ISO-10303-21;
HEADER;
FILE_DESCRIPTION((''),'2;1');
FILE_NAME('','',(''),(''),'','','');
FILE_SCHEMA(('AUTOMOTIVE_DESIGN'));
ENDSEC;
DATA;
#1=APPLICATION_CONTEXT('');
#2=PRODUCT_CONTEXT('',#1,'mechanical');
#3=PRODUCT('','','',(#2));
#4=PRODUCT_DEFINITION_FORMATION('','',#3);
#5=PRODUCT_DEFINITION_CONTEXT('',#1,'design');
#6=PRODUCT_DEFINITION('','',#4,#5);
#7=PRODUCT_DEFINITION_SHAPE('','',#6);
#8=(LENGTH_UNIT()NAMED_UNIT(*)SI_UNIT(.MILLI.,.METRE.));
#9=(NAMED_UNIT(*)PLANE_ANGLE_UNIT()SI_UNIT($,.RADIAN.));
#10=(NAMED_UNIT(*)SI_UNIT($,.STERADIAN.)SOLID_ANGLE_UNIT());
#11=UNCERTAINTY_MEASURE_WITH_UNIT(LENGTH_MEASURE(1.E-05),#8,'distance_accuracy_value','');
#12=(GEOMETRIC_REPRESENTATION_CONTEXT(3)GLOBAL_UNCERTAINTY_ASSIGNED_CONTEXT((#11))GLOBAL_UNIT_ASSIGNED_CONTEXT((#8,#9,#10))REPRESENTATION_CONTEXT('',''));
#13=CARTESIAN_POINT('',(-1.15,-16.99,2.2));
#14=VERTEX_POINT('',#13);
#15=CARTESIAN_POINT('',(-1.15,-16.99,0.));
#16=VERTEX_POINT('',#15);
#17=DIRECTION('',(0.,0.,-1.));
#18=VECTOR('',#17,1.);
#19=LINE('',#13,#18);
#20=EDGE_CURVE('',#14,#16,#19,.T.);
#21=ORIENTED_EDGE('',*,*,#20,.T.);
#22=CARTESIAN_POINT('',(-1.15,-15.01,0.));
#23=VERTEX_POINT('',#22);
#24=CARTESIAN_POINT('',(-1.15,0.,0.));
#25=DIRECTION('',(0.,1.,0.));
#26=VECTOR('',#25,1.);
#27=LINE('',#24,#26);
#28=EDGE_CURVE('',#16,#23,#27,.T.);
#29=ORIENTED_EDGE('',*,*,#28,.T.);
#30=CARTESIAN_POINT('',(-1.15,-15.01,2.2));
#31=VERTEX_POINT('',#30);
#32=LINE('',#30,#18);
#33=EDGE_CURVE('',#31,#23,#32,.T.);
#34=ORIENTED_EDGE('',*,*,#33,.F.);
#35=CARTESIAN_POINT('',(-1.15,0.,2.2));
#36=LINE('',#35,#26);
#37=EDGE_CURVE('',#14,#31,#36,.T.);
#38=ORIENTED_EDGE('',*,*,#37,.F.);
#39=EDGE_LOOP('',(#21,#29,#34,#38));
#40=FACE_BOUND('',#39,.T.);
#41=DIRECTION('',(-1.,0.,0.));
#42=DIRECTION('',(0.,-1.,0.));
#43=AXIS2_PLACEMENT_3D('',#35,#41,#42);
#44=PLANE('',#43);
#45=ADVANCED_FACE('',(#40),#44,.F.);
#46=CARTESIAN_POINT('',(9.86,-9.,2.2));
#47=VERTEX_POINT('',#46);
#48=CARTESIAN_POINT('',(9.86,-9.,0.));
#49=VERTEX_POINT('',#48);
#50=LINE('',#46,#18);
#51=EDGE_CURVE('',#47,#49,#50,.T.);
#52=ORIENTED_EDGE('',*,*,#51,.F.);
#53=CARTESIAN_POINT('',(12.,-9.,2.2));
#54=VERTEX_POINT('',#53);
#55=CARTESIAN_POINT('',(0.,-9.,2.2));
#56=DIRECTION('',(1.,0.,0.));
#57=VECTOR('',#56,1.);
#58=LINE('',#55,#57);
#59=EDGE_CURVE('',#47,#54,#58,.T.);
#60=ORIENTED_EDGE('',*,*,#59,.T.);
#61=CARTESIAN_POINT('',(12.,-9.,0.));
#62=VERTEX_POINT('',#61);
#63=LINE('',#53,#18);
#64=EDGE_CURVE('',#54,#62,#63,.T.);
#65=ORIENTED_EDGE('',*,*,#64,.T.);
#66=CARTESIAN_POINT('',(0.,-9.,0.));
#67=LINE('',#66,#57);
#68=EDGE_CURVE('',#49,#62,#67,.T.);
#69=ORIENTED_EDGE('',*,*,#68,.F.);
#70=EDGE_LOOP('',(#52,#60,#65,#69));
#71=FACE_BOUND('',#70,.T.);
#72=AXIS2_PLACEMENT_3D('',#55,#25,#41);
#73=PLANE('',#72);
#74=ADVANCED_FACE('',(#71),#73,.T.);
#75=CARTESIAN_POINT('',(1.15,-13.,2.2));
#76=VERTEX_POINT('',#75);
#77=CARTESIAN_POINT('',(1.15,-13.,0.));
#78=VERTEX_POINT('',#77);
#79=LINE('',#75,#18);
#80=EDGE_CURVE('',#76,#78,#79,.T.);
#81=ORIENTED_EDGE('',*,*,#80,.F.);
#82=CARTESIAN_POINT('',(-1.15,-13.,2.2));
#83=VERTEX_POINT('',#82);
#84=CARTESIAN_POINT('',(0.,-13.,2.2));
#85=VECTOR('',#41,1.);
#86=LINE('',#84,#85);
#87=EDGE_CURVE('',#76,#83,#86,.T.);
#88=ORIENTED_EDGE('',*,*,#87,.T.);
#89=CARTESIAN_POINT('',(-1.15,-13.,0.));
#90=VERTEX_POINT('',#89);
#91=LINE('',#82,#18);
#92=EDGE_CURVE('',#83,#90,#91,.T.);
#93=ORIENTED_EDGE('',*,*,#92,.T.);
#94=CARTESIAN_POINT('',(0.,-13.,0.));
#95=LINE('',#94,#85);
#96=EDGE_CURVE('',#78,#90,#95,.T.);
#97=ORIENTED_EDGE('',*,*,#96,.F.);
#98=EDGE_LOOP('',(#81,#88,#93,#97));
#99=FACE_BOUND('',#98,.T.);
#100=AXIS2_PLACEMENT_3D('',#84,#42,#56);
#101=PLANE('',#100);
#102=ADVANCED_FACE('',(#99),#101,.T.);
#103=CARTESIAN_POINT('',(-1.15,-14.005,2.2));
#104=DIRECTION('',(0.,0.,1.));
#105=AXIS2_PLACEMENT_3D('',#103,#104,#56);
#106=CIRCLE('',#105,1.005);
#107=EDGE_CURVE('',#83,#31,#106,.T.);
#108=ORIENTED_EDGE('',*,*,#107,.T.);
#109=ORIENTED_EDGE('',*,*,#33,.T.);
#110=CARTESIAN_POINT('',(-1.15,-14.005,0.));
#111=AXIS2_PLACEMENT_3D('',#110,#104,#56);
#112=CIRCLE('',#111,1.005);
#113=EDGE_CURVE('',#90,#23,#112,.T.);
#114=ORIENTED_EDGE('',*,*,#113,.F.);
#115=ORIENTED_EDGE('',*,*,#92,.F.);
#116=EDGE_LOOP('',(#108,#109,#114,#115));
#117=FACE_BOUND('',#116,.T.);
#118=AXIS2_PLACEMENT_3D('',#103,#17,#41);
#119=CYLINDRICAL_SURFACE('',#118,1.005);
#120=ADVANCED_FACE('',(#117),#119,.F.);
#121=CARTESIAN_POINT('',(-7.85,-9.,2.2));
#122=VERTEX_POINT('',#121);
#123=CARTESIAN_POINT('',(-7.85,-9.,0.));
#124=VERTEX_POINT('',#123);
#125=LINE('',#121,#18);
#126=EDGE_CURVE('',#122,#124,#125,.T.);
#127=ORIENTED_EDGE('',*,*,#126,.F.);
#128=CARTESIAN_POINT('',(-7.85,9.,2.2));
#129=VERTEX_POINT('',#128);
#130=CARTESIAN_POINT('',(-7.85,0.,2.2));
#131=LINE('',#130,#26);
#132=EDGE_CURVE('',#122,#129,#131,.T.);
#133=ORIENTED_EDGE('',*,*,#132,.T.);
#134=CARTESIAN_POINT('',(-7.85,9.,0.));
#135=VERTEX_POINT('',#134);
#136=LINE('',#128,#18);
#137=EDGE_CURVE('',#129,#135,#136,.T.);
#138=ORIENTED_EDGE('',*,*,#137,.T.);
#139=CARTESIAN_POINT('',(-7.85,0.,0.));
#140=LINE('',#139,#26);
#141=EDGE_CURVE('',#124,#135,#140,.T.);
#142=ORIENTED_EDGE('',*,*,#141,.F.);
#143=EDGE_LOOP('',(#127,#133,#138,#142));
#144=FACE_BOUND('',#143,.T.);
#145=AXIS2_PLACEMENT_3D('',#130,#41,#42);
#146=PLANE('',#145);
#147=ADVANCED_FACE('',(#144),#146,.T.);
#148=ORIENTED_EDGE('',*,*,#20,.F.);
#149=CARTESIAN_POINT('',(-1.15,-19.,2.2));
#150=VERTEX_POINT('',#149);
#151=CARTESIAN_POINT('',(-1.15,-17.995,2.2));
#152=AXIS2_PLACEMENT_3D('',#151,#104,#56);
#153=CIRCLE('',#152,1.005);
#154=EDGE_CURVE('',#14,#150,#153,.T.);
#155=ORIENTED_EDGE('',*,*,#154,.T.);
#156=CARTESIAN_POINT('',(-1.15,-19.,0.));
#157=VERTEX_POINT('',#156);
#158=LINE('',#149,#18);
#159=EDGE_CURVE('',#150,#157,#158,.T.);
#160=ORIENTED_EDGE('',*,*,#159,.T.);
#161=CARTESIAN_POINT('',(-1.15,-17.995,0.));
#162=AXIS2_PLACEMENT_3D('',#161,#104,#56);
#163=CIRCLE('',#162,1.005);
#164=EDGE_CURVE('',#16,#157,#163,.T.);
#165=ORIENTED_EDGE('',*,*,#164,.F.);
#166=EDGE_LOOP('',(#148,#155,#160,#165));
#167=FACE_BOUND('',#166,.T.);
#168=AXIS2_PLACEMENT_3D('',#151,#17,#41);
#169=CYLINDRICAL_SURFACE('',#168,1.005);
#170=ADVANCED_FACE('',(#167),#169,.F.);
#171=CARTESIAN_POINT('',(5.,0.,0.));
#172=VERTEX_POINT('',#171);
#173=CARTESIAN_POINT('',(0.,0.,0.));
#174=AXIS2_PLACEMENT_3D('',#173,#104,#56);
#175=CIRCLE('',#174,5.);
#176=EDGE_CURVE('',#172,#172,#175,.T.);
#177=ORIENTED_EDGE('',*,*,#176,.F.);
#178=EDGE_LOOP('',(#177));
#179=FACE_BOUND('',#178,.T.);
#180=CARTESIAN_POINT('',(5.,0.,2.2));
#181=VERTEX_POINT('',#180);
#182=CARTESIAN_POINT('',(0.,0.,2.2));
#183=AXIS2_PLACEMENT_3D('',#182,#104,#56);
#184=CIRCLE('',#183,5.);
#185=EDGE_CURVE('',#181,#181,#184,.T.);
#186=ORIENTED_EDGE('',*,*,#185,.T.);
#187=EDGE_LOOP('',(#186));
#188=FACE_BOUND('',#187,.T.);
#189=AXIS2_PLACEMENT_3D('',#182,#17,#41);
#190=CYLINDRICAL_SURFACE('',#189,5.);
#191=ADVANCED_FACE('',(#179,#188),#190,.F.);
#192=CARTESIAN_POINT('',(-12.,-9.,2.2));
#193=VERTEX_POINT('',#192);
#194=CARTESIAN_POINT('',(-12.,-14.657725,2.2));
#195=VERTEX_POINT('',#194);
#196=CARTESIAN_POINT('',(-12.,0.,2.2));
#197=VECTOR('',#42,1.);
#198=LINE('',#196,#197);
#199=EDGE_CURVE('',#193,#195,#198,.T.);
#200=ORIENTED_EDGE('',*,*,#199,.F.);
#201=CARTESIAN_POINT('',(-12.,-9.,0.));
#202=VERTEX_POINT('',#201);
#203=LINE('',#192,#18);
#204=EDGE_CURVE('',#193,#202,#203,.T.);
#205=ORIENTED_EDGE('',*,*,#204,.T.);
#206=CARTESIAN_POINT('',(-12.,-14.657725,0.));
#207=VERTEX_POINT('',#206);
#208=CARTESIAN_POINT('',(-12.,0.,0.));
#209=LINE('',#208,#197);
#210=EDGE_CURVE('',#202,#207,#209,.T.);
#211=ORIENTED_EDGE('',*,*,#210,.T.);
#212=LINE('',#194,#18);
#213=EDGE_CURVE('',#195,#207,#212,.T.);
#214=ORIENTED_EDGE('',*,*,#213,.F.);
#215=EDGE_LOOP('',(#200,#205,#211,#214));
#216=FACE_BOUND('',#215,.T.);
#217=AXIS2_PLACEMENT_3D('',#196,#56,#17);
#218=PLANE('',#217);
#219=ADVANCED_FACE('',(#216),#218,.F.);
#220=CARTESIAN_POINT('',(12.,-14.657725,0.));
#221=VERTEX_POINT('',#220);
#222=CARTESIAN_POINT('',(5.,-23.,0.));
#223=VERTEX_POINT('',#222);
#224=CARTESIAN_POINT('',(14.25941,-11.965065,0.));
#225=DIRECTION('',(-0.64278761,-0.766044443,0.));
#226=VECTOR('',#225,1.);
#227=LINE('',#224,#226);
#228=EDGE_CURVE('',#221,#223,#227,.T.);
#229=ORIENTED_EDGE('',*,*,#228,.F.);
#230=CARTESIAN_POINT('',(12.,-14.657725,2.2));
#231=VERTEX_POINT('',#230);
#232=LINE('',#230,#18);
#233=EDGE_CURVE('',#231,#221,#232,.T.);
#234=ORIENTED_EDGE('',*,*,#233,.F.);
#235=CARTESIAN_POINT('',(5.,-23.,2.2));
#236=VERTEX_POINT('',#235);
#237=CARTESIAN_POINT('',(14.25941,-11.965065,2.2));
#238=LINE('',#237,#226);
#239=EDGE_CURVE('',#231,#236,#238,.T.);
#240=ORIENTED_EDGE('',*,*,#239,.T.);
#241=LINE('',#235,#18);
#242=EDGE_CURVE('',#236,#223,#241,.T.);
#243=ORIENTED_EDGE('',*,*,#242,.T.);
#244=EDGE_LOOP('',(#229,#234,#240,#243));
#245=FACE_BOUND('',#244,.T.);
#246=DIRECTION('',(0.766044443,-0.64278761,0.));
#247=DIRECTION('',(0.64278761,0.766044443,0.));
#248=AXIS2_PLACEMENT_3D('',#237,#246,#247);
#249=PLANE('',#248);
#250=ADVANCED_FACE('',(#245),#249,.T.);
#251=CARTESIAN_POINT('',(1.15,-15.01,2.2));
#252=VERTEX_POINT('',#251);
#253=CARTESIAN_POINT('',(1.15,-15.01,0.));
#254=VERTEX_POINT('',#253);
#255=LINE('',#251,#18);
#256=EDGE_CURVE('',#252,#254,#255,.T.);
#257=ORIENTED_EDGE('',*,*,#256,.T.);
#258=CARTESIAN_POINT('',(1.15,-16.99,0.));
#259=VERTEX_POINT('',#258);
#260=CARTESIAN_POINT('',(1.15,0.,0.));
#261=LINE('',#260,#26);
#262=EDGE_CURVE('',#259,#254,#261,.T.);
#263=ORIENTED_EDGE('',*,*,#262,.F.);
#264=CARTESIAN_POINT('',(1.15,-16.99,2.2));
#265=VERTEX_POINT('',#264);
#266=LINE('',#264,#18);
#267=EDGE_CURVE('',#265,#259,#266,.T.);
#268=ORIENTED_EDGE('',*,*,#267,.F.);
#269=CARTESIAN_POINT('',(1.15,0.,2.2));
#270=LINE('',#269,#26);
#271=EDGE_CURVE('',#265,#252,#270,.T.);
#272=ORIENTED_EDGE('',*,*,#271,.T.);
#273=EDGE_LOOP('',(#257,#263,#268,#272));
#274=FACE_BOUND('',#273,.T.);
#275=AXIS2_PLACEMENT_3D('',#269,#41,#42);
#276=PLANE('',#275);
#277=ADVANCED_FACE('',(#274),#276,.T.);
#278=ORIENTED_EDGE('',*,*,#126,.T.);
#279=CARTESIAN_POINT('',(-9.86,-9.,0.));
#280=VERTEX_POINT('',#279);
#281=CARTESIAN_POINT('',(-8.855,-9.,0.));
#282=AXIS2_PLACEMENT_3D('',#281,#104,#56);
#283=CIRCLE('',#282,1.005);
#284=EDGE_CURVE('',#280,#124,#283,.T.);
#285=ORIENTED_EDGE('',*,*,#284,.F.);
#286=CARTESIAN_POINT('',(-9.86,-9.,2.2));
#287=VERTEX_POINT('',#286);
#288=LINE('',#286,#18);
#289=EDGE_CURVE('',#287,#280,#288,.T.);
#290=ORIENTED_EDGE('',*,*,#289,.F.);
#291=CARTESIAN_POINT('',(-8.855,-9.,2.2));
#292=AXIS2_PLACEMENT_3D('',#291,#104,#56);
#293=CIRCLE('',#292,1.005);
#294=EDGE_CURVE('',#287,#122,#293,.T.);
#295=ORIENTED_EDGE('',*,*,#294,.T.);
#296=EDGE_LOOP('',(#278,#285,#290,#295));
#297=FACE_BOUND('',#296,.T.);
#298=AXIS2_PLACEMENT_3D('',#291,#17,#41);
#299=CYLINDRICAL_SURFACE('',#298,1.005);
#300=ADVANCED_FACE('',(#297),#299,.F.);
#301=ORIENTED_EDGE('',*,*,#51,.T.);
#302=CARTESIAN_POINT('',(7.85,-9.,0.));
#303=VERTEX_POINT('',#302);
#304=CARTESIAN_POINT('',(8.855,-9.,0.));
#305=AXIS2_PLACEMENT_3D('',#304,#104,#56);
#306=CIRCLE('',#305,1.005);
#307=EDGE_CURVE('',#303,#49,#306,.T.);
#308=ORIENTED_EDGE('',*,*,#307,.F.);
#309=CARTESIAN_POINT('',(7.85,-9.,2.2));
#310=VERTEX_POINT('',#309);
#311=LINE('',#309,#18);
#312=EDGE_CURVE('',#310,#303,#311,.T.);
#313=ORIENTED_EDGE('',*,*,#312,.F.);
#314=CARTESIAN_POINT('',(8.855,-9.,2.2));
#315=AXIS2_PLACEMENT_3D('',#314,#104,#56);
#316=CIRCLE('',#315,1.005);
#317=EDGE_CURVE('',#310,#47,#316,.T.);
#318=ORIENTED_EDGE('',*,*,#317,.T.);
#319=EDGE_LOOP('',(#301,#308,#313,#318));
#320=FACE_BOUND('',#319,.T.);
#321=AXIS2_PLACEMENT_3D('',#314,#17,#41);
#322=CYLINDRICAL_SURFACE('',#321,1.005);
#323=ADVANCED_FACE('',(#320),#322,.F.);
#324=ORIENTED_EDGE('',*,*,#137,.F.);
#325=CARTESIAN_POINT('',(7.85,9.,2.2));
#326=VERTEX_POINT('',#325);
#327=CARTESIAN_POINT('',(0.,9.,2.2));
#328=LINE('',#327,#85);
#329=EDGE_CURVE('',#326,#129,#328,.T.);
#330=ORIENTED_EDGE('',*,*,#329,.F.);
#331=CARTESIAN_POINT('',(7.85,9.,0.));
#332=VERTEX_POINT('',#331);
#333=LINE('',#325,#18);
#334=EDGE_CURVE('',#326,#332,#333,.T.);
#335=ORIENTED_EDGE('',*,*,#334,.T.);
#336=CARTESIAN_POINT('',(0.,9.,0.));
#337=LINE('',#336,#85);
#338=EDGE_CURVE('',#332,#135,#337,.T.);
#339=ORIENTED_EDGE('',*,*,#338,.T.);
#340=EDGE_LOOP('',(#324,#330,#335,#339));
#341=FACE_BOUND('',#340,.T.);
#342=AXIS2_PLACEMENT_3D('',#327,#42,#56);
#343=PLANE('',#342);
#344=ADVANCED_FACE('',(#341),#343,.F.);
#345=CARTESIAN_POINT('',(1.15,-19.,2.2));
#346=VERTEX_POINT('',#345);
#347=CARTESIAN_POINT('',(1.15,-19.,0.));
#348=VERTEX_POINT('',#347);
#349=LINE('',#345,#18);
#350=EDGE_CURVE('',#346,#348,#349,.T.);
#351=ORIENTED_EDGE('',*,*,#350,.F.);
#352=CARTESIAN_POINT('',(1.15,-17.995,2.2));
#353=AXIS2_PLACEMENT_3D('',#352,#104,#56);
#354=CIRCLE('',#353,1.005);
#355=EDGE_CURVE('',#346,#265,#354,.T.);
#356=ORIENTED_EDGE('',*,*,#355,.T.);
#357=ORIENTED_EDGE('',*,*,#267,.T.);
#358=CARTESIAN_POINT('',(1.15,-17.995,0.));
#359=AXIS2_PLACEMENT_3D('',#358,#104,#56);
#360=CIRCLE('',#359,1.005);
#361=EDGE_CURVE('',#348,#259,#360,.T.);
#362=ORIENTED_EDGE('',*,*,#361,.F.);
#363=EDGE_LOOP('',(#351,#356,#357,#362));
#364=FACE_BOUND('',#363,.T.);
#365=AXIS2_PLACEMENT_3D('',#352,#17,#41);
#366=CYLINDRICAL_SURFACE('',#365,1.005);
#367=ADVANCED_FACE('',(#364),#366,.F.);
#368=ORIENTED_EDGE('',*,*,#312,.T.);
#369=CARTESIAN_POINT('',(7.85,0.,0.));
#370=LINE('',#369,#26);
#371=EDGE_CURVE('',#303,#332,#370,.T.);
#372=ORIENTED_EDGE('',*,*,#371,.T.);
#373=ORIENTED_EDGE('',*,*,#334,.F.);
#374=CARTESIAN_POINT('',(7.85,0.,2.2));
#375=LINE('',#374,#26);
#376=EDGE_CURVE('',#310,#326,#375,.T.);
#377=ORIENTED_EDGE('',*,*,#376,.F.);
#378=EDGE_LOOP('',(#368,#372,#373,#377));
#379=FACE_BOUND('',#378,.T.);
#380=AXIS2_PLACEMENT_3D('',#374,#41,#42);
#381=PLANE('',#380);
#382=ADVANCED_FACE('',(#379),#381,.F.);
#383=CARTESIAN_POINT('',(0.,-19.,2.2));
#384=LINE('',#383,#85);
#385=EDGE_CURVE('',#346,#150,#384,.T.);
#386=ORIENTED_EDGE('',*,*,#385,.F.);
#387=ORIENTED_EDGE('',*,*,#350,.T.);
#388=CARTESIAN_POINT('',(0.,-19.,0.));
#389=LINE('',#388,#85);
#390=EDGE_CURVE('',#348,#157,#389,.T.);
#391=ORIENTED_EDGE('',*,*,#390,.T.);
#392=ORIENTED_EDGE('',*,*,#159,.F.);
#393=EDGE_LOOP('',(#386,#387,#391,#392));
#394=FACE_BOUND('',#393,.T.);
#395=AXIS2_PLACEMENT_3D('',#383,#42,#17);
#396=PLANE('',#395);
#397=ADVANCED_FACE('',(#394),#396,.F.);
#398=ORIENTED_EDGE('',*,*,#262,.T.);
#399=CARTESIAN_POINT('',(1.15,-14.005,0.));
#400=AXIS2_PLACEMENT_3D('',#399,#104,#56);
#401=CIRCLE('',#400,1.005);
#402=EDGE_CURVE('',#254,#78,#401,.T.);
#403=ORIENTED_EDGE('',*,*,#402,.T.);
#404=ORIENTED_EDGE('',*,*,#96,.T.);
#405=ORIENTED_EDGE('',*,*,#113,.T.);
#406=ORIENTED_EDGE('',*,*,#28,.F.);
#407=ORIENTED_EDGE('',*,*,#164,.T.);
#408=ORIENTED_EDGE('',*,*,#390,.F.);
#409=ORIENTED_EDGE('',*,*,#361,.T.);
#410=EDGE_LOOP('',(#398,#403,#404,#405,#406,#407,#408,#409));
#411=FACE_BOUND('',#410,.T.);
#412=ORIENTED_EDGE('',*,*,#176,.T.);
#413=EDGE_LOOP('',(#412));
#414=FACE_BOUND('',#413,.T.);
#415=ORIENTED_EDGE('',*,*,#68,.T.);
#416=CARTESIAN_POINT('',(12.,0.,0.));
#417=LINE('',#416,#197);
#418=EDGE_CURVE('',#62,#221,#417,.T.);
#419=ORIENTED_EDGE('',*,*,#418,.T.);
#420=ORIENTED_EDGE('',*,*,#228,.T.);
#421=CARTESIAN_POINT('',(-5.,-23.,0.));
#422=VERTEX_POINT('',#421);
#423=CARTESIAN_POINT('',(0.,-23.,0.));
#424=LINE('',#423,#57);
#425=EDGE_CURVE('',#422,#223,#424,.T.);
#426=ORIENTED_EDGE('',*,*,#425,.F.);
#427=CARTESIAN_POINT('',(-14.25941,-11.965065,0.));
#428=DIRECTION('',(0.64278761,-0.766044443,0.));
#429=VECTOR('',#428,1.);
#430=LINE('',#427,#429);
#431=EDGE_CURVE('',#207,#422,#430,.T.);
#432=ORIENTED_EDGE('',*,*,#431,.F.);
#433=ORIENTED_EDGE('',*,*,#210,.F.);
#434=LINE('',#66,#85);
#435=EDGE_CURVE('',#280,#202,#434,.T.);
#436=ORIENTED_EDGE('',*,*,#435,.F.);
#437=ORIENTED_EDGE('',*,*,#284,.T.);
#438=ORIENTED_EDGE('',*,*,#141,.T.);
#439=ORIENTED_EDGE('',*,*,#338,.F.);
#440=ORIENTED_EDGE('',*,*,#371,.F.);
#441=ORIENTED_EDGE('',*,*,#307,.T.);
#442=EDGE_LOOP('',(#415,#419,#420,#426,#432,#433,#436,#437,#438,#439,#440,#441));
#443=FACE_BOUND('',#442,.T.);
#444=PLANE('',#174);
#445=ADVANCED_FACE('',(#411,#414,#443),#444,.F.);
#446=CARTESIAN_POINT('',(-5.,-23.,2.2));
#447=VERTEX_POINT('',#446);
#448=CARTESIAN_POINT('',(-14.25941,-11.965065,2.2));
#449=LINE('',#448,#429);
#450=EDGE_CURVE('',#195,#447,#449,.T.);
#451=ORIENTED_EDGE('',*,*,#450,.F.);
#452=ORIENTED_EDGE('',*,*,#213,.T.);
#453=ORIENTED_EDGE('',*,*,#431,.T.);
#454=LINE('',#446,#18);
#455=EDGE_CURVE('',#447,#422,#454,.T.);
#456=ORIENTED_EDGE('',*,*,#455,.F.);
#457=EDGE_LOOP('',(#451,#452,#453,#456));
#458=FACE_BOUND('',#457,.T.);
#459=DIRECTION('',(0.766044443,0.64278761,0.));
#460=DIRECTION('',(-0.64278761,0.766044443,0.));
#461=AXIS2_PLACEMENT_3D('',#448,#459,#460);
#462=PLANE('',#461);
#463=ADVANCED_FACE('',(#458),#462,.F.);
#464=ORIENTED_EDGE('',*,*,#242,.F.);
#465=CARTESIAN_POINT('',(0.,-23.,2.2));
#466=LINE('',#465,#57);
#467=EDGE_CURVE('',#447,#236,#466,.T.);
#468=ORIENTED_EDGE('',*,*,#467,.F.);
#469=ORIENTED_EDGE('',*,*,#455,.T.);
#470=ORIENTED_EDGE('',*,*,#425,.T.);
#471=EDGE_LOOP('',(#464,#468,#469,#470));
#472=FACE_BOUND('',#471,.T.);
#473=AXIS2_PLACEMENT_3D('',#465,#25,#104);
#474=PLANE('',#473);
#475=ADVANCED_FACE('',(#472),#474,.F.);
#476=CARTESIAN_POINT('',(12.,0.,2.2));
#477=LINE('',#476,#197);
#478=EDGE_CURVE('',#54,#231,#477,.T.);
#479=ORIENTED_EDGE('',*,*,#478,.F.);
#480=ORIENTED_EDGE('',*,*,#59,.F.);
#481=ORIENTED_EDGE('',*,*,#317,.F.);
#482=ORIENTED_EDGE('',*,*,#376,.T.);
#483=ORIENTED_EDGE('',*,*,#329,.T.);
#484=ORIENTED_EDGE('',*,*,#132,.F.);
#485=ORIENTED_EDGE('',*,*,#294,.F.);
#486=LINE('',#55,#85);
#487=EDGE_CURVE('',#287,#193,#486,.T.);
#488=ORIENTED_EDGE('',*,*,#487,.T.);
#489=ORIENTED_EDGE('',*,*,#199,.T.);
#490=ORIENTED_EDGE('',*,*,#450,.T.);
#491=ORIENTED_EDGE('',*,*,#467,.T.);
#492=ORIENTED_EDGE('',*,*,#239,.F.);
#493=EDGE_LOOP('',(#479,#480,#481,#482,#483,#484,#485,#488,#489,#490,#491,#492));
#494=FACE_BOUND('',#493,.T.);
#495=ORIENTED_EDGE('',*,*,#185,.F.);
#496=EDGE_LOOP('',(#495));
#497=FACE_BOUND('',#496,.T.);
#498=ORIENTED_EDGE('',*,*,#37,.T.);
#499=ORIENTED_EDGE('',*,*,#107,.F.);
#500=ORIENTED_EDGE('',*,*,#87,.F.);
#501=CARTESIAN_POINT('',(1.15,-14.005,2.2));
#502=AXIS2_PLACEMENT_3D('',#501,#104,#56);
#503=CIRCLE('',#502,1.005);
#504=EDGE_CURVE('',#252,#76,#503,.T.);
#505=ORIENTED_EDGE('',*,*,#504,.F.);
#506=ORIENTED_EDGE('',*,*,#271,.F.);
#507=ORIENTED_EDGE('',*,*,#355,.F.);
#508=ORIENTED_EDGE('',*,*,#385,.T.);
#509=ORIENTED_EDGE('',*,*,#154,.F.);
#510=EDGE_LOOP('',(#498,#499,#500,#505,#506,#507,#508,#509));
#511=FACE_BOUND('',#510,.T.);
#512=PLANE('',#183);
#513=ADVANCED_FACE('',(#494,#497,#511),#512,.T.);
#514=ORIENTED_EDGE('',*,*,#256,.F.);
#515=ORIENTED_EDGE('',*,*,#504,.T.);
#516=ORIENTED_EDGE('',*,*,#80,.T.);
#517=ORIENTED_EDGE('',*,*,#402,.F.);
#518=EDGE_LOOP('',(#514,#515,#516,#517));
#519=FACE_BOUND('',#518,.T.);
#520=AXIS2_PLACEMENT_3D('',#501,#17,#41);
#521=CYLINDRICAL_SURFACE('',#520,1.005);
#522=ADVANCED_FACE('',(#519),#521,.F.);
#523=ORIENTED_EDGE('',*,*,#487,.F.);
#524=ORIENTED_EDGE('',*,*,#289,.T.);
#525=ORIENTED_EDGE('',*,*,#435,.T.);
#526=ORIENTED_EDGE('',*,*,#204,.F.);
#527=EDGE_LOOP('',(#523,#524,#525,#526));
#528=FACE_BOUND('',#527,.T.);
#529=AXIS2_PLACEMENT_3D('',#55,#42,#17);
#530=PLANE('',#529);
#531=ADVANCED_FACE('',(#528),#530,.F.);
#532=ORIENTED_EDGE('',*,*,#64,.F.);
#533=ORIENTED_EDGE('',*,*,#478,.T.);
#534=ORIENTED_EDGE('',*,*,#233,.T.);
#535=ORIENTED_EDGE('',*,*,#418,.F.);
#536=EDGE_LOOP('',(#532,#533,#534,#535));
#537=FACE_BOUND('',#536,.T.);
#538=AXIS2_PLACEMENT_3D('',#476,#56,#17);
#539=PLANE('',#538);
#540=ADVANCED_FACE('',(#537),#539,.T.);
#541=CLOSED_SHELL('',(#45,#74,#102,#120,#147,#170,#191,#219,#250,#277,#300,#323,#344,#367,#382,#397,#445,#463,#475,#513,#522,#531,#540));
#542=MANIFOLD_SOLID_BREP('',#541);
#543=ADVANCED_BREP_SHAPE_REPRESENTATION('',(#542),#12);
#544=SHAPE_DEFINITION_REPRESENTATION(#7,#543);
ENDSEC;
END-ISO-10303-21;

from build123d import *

# Parameters (mm, degrees)
SKETCH_1_R      = 5
EXTRUDE_1_DEPTH = 2.2


with BuildPart() as part:
    # 草图1 → 凸台-拉伸1 (new body)
    with BuildSketch(Plane.XY):
        with BuildLine():
            Line((-7.85, 9), (-7.85, -9))
            ThreePointArc((-7.85, -9), (-8.855, -10.005), (-9.86, -9))
            Line((-9.86, -9), (-12, -9))
            Line((-12, -9), (-12, -14.657724852))
            Line((-12, -14.657724852), (-5, -23))
            Line((-5, -23), (5, -23))
            Line((5, -23), (12, -14.657724852))
            Line((12, -14.657724852), (12, -9))
            Line((12, -9), (9.86, -9))
            ThreePointArc((9.86, -9), (8.855, -10.005), (7.85, -9))
            Line((7.85, -9), (7.85, 9))
            Line((7.85, 9), (-7.85, 9))
        make_face()
        with BuildLine():
            ThreePointArc((2.155, -17.995), (1.860642315, -18.705642315), (1.15, -19))
            Line((1.15, -19), (-1.15, -19))
            ThreePointArc((-1.15, -19), (-2.155, -17.995), (-1.15, -16.99))
            Line((-1.15, -16.99), (-1.15, -15.01))
            ThreePointArc((-1.15, -15.01), (-2.155, -14.005), (-1.15, -13))
            Line((-1.15, -13), (1.15, -13))
            ThreePointArc((1.15, -13), (1.860642315, -13.294357685), (2.155, -14.005))
            ThreePointArc((2.155, -14.005), (1.860642315, -14.715642315), (1.15, -15.01))
            Line((1.15, -15.01), (1.15, -16.99))
            ThreePointArc((1.15, -16.99), (1.860642315, -17.284357685), (2.155, -17.995))
        make_face(mode=Mode.SUBTRACT)
        Circle(SKETCH_1_R, mode=Mode.SUBTRACT)
    extrude(amount=EXTRUDE_1_DEPTH)


solid = part.part
